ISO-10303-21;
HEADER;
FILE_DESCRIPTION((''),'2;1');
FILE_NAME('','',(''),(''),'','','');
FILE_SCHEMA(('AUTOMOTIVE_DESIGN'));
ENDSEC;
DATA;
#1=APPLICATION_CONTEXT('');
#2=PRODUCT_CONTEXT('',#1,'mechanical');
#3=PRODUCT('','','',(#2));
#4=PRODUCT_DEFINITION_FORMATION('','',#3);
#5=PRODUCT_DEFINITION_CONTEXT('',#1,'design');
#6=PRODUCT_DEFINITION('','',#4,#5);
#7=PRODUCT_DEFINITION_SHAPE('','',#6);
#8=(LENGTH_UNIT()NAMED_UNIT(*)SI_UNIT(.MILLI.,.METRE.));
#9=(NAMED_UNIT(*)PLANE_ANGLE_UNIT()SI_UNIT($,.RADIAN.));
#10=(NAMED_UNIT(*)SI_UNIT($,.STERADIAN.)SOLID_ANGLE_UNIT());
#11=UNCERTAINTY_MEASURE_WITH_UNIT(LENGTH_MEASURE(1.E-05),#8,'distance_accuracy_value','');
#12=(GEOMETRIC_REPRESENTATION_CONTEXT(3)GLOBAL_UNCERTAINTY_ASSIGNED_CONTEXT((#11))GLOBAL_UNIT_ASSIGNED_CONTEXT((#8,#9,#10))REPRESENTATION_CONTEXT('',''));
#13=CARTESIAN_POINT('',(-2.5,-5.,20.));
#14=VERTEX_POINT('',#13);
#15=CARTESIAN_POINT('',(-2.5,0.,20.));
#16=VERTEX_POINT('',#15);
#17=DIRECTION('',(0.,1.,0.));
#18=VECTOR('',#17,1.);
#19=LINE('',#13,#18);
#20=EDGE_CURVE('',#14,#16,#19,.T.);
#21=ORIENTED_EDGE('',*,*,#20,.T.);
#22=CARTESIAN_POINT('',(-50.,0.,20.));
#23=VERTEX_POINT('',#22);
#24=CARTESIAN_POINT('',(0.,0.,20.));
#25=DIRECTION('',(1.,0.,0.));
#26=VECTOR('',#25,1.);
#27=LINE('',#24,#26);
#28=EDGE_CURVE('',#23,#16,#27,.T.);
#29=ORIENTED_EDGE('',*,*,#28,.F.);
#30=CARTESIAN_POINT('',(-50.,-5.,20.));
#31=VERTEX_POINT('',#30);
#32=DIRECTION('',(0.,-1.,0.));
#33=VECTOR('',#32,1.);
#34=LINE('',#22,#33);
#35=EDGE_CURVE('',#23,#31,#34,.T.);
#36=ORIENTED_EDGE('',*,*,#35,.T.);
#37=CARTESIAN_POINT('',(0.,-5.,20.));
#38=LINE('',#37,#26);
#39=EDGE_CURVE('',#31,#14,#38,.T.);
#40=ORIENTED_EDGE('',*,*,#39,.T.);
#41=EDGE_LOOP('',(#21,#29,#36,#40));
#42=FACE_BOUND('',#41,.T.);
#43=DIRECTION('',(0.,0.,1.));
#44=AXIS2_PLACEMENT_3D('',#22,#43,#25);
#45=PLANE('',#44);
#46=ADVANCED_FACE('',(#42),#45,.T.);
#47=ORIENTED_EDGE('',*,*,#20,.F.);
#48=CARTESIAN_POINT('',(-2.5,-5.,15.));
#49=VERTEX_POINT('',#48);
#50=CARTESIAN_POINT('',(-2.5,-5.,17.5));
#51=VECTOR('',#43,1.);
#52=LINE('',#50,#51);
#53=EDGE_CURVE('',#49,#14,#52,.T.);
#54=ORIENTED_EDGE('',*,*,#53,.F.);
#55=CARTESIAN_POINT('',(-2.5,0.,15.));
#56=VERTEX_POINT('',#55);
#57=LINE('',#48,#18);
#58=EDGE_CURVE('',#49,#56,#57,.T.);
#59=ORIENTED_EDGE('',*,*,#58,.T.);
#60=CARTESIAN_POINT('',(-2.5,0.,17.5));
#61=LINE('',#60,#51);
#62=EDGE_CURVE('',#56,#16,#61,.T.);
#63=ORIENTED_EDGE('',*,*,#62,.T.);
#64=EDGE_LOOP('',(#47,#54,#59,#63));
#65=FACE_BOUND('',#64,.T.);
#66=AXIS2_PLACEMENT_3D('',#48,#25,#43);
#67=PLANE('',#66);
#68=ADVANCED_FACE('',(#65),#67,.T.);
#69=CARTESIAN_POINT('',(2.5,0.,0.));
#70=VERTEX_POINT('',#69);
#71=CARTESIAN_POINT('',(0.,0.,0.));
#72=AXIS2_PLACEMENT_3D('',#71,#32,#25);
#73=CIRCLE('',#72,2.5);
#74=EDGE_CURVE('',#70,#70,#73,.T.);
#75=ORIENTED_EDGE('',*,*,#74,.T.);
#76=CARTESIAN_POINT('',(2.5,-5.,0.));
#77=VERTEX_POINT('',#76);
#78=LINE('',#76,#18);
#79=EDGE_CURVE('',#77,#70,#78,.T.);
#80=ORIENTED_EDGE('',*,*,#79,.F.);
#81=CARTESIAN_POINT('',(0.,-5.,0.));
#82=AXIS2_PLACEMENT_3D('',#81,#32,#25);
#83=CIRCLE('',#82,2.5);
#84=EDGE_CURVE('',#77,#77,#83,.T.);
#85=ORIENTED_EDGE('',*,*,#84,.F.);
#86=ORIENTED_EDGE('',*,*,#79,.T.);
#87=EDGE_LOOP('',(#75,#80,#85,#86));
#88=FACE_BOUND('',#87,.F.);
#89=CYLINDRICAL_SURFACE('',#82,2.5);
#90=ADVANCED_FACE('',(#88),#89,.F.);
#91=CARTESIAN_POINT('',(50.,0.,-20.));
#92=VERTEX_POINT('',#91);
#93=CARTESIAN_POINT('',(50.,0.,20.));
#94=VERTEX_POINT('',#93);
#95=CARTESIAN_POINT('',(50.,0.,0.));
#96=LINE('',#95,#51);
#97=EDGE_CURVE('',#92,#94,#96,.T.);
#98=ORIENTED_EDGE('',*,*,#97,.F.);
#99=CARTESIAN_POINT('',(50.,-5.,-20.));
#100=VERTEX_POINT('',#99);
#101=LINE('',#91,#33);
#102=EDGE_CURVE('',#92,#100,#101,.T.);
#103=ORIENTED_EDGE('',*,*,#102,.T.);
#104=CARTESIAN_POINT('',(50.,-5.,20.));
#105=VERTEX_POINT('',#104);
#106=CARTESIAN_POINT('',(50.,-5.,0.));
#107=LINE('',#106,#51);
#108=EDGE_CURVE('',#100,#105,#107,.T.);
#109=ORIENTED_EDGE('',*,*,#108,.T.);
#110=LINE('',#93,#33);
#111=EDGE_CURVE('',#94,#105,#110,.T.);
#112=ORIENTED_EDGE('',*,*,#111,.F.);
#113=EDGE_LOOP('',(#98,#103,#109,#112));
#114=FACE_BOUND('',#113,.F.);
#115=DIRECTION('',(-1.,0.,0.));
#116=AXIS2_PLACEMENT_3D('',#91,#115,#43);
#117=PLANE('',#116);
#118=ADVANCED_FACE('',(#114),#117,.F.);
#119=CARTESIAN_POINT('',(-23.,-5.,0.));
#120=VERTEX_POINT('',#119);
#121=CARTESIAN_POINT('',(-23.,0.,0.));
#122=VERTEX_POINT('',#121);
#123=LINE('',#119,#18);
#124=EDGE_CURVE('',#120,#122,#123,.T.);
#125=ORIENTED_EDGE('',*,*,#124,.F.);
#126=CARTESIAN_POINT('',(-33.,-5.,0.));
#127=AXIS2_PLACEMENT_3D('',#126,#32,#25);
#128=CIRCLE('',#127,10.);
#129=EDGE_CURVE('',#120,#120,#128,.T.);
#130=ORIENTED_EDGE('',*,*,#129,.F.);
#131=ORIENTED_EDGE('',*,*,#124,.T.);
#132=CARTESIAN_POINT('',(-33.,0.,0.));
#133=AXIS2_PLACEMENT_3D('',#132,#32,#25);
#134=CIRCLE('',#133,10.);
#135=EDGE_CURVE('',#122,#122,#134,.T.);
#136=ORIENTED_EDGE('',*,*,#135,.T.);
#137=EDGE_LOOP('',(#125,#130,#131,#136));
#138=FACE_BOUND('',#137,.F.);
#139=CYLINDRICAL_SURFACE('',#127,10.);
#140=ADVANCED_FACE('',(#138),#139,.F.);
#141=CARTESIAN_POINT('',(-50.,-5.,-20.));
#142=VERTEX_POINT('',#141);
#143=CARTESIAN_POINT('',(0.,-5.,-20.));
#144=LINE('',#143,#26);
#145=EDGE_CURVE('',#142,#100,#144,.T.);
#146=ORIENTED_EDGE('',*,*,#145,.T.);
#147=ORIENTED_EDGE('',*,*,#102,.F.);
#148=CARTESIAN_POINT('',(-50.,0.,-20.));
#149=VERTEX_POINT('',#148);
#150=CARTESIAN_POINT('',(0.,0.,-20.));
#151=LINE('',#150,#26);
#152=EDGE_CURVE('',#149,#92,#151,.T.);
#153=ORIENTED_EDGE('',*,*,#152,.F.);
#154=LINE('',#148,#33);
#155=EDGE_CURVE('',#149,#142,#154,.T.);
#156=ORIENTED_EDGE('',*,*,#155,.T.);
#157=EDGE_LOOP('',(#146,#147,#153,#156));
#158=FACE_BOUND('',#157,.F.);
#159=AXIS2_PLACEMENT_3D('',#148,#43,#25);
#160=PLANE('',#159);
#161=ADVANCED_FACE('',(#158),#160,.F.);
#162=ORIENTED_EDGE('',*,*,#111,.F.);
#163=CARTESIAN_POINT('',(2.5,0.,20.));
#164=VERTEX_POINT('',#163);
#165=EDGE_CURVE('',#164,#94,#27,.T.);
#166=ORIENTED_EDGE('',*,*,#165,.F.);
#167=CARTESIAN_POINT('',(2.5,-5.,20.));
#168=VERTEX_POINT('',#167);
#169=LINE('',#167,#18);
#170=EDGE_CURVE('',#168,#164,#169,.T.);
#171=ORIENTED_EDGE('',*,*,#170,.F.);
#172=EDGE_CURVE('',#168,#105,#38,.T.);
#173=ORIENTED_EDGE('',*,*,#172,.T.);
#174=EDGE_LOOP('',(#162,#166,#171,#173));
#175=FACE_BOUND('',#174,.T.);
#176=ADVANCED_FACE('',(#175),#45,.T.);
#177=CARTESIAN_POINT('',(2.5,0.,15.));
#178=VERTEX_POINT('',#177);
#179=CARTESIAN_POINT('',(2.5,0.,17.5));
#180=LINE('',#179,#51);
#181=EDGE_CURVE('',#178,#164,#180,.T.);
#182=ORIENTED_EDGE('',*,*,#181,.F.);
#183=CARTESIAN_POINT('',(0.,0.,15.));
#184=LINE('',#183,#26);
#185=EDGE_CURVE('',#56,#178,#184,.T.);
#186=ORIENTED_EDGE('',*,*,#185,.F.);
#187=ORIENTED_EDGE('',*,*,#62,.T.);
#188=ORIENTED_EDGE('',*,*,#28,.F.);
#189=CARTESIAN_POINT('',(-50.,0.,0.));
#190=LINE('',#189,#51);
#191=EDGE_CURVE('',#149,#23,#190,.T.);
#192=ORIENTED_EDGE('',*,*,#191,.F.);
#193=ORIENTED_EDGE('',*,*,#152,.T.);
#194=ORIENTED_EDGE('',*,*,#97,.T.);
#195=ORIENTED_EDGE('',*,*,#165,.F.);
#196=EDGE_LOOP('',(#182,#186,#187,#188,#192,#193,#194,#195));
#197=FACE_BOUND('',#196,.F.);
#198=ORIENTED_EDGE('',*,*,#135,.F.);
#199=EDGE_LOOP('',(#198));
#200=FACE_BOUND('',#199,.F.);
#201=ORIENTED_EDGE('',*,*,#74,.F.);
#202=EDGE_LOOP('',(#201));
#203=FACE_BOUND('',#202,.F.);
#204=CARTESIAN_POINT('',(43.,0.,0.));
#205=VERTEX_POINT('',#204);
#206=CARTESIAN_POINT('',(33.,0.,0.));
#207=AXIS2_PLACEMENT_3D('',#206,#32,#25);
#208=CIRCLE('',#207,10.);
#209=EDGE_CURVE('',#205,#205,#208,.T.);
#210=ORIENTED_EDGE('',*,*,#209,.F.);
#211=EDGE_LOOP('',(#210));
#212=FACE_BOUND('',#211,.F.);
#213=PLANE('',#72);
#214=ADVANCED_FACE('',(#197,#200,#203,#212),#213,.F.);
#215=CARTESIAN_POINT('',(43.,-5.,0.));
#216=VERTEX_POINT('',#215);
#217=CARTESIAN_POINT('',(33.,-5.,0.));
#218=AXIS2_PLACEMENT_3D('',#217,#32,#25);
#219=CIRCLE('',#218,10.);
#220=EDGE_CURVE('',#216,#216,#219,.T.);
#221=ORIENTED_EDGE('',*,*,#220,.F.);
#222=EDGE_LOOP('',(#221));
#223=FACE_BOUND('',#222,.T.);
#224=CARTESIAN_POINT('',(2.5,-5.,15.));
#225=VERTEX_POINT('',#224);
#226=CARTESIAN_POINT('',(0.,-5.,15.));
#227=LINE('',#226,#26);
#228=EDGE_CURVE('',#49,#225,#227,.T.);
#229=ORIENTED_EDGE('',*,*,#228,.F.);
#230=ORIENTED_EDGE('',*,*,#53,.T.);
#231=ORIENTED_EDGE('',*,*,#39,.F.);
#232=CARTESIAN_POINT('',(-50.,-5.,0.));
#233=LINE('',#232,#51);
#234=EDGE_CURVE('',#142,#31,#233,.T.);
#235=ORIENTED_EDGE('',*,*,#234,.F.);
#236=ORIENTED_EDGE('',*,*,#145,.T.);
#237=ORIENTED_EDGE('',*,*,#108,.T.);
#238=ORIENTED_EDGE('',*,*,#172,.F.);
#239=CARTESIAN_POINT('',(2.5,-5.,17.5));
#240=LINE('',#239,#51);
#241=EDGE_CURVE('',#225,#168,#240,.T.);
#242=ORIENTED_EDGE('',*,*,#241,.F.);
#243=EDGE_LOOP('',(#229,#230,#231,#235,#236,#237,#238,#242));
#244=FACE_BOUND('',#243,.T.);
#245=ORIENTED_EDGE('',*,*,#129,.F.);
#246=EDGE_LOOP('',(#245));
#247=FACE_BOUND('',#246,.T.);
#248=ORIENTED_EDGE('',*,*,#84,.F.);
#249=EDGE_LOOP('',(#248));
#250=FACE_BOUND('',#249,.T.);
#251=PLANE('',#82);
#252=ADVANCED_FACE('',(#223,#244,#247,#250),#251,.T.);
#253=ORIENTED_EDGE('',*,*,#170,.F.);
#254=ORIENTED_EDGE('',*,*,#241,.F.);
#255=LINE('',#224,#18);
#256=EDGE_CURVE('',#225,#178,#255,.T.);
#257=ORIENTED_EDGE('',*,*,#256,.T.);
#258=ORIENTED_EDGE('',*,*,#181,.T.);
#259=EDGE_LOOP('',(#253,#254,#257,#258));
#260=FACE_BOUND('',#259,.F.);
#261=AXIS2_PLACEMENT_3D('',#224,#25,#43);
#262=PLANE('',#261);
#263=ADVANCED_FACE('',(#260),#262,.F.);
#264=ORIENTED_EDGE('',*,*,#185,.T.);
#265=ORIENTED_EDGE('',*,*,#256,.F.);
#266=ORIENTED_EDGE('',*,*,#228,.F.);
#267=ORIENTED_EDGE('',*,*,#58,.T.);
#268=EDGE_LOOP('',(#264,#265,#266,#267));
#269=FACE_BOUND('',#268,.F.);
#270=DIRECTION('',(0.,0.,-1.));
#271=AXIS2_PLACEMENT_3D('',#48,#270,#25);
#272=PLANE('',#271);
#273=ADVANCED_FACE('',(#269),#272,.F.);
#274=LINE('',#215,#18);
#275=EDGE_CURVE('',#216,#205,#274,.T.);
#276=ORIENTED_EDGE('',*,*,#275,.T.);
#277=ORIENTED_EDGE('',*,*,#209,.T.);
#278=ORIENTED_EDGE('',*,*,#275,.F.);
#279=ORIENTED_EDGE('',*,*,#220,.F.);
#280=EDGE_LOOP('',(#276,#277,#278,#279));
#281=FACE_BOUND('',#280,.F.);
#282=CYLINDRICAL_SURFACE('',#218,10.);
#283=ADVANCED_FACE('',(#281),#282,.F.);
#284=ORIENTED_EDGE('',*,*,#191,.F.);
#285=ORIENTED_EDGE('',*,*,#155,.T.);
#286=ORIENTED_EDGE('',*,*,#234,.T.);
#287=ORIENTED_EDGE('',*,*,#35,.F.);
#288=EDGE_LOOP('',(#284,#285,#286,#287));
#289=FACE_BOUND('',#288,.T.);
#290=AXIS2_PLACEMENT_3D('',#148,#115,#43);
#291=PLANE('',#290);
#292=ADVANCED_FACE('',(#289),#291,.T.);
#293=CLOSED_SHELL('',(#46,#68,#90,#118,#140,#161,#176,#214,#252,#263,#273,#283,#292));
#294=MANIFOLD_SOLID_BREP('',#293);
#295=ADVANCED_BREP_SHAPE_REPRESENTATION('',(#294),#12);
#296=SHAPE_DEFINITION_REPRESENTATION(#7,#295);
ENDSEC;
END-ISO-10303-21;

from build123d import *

# Parameters (mm, degrees)
F0_W     = 100
F0_H     = 40
F1_DEPTH = 5
F2_R     = 10
F2_R_2   = 2.5
F3_DEPTH = 5
F4_W     = 5
F4_H     = 5
F5_DEPTH = 5


with BuildPart() as f1:
    # F0 (on Front) → F1 (new body)
    with BuildSketch(Plane.XZ):
        Rectangle(F0_W, F0_H)
    extrude(amount=F1_DEPTH)

    # F2 (on face) → F3 (cut, through all)
    with BuildSketch(Plane.XZ.offset(5)):
        with Locations((-33, 0)):
            Circle(F2_R)
        Circle(F2_R_2)
        with Locations((33, 0)):
            Circle(F2_R)
    extrude(amount=-F3_DEPTH, mode=Mode.SUBTRACT)

    # F4 (on face) → F5 (cut, through all)
    with BuildSketch(Plane.XZ.offset(5)):
        with Locations((0, 17.5)):
            Rectangle(F4_W, F4_H)
    extrude(amount=-F5_DEPTH, mode=Mode.SUBTRACT)


solid = f1.part
